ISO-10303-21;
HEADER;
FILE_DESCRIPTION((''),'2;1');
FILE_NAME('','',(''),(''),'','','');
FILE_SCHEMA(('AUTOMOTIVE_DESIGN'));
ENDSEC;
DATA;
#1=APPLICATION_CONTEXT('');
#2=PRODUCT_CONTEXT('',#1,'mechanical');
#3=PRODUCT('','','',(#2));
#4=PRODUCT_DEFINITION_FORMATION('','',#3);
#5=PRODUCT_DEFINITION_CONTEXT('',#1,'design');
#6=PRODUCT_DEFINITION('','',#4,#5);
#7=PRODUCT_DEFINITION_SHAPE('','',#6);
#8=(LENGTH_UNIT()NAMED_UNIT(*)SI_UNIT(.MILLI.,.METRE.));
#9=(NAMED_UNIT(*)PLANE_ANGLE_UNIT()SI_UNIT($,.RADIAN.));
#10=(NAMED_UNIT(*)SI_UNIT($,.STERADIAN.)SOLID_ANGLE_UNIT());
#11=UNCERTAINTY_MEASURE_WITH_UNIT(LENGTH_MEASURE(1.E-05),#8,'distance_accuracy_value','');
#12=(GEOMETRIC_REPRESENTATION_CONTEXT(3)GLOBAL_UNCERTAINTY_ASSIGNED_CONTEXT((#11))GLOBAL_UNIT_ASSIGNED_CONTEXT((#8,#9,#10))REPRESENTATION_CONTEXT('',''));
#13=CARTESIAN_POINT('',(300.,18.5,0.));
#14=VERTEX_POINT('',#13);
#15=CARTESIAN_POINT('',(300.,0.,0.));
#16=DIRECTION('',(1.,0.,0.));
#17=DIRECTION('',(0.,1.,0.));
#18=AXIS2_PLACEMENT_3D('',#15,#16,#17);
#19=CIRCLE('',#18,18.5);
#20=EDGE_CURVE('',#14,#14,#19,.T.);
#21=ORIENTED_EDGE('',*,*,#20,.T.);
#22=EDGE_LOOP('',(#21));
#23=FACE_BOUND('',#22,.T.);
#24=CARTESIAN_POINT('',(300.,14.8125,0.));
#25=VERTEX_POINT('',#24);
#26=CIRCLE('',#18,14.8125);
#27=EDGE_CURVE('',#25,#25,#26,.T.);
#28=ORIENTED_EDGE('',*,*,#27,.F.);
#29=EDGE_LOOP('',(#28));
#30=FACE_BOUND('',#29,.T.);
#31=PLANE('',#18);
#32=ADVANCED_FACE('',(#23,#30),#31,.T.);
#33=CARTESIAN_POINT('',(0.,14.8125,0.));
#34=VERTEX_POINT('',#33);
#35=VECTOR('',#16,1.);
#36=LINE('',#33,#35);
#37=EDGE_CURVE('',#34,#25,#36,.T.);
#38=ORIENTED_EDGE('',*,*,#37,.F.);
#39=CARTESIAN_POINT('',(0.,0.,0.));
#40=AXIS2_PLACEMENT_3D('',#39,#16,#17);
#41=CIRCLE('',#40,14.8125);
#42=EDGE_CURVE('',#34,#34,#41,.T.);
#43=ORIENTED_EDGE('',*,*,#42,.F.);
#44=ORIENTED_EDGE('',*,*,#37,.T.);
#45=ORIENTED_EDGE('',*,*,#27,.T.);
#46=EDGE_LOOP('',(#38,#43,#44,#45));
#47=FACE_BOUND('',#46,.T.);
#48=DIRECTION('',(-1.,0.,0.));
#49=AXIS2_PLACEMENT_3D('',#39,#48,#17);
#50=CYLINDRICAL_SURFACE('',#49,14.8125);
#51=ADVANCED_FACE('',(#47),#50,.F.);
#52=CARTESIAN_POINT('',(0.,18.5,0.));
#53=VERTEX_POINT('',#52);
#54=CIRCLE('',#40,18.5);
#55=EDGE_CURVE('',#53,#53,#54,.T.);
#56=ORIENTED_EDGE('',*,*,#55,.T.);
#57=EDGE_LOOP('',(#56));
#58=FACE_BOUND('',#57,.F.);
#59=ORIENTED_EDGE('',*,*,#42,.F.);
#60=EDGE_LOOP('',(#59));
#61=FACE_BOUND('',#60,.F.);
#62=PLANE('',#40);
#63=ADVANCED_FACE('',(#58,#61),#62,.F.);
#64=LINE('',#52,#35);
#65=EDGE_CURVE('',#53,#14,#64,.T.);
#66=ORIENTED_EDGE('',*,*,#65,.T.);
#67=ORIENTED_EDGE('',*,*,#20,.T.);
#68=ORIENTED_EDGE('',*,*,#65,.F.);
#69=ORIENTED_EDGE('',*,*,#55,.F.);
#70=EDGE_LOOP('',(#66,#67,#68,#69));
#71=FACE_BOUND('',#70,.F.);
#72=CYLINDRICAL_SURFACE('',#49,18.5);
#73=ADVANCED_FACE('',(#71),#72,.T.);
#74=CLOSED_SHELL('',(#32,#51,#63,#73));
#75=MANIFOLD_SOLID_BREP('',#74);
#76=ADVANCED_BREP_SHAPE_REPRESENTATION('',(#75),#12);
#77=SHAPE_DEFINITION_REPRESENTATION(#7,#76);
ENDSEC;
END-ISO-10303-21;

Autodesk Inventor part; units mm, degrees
ref_plane "YZ Plane" through (0, 0, 0) normal (1, 0, 0) x (0, 1, 0)
ref_plane "XZ Plane" through (0, 0, 0) normal (0, 1, 0) x (-1, 0, 0)
ref_plane "XY Plane" through (0, 0, 0) normal (0, 0, 1) x (1, 0, 0)
sketch "Sketch1" plane through (0, 0, 0) normal (1, 0, 0) x (0, 1, 0)
  circle A0 centre (0, 0) radius 18.5
  circle A1 centre (0, 0) radius 14.8125
  dimension "d0" = 37
  dimension "d1" = 29.625
extrude "Extrusion1" add sketch "Sketch1" along normal blind 300
properties part number "pvc up"
